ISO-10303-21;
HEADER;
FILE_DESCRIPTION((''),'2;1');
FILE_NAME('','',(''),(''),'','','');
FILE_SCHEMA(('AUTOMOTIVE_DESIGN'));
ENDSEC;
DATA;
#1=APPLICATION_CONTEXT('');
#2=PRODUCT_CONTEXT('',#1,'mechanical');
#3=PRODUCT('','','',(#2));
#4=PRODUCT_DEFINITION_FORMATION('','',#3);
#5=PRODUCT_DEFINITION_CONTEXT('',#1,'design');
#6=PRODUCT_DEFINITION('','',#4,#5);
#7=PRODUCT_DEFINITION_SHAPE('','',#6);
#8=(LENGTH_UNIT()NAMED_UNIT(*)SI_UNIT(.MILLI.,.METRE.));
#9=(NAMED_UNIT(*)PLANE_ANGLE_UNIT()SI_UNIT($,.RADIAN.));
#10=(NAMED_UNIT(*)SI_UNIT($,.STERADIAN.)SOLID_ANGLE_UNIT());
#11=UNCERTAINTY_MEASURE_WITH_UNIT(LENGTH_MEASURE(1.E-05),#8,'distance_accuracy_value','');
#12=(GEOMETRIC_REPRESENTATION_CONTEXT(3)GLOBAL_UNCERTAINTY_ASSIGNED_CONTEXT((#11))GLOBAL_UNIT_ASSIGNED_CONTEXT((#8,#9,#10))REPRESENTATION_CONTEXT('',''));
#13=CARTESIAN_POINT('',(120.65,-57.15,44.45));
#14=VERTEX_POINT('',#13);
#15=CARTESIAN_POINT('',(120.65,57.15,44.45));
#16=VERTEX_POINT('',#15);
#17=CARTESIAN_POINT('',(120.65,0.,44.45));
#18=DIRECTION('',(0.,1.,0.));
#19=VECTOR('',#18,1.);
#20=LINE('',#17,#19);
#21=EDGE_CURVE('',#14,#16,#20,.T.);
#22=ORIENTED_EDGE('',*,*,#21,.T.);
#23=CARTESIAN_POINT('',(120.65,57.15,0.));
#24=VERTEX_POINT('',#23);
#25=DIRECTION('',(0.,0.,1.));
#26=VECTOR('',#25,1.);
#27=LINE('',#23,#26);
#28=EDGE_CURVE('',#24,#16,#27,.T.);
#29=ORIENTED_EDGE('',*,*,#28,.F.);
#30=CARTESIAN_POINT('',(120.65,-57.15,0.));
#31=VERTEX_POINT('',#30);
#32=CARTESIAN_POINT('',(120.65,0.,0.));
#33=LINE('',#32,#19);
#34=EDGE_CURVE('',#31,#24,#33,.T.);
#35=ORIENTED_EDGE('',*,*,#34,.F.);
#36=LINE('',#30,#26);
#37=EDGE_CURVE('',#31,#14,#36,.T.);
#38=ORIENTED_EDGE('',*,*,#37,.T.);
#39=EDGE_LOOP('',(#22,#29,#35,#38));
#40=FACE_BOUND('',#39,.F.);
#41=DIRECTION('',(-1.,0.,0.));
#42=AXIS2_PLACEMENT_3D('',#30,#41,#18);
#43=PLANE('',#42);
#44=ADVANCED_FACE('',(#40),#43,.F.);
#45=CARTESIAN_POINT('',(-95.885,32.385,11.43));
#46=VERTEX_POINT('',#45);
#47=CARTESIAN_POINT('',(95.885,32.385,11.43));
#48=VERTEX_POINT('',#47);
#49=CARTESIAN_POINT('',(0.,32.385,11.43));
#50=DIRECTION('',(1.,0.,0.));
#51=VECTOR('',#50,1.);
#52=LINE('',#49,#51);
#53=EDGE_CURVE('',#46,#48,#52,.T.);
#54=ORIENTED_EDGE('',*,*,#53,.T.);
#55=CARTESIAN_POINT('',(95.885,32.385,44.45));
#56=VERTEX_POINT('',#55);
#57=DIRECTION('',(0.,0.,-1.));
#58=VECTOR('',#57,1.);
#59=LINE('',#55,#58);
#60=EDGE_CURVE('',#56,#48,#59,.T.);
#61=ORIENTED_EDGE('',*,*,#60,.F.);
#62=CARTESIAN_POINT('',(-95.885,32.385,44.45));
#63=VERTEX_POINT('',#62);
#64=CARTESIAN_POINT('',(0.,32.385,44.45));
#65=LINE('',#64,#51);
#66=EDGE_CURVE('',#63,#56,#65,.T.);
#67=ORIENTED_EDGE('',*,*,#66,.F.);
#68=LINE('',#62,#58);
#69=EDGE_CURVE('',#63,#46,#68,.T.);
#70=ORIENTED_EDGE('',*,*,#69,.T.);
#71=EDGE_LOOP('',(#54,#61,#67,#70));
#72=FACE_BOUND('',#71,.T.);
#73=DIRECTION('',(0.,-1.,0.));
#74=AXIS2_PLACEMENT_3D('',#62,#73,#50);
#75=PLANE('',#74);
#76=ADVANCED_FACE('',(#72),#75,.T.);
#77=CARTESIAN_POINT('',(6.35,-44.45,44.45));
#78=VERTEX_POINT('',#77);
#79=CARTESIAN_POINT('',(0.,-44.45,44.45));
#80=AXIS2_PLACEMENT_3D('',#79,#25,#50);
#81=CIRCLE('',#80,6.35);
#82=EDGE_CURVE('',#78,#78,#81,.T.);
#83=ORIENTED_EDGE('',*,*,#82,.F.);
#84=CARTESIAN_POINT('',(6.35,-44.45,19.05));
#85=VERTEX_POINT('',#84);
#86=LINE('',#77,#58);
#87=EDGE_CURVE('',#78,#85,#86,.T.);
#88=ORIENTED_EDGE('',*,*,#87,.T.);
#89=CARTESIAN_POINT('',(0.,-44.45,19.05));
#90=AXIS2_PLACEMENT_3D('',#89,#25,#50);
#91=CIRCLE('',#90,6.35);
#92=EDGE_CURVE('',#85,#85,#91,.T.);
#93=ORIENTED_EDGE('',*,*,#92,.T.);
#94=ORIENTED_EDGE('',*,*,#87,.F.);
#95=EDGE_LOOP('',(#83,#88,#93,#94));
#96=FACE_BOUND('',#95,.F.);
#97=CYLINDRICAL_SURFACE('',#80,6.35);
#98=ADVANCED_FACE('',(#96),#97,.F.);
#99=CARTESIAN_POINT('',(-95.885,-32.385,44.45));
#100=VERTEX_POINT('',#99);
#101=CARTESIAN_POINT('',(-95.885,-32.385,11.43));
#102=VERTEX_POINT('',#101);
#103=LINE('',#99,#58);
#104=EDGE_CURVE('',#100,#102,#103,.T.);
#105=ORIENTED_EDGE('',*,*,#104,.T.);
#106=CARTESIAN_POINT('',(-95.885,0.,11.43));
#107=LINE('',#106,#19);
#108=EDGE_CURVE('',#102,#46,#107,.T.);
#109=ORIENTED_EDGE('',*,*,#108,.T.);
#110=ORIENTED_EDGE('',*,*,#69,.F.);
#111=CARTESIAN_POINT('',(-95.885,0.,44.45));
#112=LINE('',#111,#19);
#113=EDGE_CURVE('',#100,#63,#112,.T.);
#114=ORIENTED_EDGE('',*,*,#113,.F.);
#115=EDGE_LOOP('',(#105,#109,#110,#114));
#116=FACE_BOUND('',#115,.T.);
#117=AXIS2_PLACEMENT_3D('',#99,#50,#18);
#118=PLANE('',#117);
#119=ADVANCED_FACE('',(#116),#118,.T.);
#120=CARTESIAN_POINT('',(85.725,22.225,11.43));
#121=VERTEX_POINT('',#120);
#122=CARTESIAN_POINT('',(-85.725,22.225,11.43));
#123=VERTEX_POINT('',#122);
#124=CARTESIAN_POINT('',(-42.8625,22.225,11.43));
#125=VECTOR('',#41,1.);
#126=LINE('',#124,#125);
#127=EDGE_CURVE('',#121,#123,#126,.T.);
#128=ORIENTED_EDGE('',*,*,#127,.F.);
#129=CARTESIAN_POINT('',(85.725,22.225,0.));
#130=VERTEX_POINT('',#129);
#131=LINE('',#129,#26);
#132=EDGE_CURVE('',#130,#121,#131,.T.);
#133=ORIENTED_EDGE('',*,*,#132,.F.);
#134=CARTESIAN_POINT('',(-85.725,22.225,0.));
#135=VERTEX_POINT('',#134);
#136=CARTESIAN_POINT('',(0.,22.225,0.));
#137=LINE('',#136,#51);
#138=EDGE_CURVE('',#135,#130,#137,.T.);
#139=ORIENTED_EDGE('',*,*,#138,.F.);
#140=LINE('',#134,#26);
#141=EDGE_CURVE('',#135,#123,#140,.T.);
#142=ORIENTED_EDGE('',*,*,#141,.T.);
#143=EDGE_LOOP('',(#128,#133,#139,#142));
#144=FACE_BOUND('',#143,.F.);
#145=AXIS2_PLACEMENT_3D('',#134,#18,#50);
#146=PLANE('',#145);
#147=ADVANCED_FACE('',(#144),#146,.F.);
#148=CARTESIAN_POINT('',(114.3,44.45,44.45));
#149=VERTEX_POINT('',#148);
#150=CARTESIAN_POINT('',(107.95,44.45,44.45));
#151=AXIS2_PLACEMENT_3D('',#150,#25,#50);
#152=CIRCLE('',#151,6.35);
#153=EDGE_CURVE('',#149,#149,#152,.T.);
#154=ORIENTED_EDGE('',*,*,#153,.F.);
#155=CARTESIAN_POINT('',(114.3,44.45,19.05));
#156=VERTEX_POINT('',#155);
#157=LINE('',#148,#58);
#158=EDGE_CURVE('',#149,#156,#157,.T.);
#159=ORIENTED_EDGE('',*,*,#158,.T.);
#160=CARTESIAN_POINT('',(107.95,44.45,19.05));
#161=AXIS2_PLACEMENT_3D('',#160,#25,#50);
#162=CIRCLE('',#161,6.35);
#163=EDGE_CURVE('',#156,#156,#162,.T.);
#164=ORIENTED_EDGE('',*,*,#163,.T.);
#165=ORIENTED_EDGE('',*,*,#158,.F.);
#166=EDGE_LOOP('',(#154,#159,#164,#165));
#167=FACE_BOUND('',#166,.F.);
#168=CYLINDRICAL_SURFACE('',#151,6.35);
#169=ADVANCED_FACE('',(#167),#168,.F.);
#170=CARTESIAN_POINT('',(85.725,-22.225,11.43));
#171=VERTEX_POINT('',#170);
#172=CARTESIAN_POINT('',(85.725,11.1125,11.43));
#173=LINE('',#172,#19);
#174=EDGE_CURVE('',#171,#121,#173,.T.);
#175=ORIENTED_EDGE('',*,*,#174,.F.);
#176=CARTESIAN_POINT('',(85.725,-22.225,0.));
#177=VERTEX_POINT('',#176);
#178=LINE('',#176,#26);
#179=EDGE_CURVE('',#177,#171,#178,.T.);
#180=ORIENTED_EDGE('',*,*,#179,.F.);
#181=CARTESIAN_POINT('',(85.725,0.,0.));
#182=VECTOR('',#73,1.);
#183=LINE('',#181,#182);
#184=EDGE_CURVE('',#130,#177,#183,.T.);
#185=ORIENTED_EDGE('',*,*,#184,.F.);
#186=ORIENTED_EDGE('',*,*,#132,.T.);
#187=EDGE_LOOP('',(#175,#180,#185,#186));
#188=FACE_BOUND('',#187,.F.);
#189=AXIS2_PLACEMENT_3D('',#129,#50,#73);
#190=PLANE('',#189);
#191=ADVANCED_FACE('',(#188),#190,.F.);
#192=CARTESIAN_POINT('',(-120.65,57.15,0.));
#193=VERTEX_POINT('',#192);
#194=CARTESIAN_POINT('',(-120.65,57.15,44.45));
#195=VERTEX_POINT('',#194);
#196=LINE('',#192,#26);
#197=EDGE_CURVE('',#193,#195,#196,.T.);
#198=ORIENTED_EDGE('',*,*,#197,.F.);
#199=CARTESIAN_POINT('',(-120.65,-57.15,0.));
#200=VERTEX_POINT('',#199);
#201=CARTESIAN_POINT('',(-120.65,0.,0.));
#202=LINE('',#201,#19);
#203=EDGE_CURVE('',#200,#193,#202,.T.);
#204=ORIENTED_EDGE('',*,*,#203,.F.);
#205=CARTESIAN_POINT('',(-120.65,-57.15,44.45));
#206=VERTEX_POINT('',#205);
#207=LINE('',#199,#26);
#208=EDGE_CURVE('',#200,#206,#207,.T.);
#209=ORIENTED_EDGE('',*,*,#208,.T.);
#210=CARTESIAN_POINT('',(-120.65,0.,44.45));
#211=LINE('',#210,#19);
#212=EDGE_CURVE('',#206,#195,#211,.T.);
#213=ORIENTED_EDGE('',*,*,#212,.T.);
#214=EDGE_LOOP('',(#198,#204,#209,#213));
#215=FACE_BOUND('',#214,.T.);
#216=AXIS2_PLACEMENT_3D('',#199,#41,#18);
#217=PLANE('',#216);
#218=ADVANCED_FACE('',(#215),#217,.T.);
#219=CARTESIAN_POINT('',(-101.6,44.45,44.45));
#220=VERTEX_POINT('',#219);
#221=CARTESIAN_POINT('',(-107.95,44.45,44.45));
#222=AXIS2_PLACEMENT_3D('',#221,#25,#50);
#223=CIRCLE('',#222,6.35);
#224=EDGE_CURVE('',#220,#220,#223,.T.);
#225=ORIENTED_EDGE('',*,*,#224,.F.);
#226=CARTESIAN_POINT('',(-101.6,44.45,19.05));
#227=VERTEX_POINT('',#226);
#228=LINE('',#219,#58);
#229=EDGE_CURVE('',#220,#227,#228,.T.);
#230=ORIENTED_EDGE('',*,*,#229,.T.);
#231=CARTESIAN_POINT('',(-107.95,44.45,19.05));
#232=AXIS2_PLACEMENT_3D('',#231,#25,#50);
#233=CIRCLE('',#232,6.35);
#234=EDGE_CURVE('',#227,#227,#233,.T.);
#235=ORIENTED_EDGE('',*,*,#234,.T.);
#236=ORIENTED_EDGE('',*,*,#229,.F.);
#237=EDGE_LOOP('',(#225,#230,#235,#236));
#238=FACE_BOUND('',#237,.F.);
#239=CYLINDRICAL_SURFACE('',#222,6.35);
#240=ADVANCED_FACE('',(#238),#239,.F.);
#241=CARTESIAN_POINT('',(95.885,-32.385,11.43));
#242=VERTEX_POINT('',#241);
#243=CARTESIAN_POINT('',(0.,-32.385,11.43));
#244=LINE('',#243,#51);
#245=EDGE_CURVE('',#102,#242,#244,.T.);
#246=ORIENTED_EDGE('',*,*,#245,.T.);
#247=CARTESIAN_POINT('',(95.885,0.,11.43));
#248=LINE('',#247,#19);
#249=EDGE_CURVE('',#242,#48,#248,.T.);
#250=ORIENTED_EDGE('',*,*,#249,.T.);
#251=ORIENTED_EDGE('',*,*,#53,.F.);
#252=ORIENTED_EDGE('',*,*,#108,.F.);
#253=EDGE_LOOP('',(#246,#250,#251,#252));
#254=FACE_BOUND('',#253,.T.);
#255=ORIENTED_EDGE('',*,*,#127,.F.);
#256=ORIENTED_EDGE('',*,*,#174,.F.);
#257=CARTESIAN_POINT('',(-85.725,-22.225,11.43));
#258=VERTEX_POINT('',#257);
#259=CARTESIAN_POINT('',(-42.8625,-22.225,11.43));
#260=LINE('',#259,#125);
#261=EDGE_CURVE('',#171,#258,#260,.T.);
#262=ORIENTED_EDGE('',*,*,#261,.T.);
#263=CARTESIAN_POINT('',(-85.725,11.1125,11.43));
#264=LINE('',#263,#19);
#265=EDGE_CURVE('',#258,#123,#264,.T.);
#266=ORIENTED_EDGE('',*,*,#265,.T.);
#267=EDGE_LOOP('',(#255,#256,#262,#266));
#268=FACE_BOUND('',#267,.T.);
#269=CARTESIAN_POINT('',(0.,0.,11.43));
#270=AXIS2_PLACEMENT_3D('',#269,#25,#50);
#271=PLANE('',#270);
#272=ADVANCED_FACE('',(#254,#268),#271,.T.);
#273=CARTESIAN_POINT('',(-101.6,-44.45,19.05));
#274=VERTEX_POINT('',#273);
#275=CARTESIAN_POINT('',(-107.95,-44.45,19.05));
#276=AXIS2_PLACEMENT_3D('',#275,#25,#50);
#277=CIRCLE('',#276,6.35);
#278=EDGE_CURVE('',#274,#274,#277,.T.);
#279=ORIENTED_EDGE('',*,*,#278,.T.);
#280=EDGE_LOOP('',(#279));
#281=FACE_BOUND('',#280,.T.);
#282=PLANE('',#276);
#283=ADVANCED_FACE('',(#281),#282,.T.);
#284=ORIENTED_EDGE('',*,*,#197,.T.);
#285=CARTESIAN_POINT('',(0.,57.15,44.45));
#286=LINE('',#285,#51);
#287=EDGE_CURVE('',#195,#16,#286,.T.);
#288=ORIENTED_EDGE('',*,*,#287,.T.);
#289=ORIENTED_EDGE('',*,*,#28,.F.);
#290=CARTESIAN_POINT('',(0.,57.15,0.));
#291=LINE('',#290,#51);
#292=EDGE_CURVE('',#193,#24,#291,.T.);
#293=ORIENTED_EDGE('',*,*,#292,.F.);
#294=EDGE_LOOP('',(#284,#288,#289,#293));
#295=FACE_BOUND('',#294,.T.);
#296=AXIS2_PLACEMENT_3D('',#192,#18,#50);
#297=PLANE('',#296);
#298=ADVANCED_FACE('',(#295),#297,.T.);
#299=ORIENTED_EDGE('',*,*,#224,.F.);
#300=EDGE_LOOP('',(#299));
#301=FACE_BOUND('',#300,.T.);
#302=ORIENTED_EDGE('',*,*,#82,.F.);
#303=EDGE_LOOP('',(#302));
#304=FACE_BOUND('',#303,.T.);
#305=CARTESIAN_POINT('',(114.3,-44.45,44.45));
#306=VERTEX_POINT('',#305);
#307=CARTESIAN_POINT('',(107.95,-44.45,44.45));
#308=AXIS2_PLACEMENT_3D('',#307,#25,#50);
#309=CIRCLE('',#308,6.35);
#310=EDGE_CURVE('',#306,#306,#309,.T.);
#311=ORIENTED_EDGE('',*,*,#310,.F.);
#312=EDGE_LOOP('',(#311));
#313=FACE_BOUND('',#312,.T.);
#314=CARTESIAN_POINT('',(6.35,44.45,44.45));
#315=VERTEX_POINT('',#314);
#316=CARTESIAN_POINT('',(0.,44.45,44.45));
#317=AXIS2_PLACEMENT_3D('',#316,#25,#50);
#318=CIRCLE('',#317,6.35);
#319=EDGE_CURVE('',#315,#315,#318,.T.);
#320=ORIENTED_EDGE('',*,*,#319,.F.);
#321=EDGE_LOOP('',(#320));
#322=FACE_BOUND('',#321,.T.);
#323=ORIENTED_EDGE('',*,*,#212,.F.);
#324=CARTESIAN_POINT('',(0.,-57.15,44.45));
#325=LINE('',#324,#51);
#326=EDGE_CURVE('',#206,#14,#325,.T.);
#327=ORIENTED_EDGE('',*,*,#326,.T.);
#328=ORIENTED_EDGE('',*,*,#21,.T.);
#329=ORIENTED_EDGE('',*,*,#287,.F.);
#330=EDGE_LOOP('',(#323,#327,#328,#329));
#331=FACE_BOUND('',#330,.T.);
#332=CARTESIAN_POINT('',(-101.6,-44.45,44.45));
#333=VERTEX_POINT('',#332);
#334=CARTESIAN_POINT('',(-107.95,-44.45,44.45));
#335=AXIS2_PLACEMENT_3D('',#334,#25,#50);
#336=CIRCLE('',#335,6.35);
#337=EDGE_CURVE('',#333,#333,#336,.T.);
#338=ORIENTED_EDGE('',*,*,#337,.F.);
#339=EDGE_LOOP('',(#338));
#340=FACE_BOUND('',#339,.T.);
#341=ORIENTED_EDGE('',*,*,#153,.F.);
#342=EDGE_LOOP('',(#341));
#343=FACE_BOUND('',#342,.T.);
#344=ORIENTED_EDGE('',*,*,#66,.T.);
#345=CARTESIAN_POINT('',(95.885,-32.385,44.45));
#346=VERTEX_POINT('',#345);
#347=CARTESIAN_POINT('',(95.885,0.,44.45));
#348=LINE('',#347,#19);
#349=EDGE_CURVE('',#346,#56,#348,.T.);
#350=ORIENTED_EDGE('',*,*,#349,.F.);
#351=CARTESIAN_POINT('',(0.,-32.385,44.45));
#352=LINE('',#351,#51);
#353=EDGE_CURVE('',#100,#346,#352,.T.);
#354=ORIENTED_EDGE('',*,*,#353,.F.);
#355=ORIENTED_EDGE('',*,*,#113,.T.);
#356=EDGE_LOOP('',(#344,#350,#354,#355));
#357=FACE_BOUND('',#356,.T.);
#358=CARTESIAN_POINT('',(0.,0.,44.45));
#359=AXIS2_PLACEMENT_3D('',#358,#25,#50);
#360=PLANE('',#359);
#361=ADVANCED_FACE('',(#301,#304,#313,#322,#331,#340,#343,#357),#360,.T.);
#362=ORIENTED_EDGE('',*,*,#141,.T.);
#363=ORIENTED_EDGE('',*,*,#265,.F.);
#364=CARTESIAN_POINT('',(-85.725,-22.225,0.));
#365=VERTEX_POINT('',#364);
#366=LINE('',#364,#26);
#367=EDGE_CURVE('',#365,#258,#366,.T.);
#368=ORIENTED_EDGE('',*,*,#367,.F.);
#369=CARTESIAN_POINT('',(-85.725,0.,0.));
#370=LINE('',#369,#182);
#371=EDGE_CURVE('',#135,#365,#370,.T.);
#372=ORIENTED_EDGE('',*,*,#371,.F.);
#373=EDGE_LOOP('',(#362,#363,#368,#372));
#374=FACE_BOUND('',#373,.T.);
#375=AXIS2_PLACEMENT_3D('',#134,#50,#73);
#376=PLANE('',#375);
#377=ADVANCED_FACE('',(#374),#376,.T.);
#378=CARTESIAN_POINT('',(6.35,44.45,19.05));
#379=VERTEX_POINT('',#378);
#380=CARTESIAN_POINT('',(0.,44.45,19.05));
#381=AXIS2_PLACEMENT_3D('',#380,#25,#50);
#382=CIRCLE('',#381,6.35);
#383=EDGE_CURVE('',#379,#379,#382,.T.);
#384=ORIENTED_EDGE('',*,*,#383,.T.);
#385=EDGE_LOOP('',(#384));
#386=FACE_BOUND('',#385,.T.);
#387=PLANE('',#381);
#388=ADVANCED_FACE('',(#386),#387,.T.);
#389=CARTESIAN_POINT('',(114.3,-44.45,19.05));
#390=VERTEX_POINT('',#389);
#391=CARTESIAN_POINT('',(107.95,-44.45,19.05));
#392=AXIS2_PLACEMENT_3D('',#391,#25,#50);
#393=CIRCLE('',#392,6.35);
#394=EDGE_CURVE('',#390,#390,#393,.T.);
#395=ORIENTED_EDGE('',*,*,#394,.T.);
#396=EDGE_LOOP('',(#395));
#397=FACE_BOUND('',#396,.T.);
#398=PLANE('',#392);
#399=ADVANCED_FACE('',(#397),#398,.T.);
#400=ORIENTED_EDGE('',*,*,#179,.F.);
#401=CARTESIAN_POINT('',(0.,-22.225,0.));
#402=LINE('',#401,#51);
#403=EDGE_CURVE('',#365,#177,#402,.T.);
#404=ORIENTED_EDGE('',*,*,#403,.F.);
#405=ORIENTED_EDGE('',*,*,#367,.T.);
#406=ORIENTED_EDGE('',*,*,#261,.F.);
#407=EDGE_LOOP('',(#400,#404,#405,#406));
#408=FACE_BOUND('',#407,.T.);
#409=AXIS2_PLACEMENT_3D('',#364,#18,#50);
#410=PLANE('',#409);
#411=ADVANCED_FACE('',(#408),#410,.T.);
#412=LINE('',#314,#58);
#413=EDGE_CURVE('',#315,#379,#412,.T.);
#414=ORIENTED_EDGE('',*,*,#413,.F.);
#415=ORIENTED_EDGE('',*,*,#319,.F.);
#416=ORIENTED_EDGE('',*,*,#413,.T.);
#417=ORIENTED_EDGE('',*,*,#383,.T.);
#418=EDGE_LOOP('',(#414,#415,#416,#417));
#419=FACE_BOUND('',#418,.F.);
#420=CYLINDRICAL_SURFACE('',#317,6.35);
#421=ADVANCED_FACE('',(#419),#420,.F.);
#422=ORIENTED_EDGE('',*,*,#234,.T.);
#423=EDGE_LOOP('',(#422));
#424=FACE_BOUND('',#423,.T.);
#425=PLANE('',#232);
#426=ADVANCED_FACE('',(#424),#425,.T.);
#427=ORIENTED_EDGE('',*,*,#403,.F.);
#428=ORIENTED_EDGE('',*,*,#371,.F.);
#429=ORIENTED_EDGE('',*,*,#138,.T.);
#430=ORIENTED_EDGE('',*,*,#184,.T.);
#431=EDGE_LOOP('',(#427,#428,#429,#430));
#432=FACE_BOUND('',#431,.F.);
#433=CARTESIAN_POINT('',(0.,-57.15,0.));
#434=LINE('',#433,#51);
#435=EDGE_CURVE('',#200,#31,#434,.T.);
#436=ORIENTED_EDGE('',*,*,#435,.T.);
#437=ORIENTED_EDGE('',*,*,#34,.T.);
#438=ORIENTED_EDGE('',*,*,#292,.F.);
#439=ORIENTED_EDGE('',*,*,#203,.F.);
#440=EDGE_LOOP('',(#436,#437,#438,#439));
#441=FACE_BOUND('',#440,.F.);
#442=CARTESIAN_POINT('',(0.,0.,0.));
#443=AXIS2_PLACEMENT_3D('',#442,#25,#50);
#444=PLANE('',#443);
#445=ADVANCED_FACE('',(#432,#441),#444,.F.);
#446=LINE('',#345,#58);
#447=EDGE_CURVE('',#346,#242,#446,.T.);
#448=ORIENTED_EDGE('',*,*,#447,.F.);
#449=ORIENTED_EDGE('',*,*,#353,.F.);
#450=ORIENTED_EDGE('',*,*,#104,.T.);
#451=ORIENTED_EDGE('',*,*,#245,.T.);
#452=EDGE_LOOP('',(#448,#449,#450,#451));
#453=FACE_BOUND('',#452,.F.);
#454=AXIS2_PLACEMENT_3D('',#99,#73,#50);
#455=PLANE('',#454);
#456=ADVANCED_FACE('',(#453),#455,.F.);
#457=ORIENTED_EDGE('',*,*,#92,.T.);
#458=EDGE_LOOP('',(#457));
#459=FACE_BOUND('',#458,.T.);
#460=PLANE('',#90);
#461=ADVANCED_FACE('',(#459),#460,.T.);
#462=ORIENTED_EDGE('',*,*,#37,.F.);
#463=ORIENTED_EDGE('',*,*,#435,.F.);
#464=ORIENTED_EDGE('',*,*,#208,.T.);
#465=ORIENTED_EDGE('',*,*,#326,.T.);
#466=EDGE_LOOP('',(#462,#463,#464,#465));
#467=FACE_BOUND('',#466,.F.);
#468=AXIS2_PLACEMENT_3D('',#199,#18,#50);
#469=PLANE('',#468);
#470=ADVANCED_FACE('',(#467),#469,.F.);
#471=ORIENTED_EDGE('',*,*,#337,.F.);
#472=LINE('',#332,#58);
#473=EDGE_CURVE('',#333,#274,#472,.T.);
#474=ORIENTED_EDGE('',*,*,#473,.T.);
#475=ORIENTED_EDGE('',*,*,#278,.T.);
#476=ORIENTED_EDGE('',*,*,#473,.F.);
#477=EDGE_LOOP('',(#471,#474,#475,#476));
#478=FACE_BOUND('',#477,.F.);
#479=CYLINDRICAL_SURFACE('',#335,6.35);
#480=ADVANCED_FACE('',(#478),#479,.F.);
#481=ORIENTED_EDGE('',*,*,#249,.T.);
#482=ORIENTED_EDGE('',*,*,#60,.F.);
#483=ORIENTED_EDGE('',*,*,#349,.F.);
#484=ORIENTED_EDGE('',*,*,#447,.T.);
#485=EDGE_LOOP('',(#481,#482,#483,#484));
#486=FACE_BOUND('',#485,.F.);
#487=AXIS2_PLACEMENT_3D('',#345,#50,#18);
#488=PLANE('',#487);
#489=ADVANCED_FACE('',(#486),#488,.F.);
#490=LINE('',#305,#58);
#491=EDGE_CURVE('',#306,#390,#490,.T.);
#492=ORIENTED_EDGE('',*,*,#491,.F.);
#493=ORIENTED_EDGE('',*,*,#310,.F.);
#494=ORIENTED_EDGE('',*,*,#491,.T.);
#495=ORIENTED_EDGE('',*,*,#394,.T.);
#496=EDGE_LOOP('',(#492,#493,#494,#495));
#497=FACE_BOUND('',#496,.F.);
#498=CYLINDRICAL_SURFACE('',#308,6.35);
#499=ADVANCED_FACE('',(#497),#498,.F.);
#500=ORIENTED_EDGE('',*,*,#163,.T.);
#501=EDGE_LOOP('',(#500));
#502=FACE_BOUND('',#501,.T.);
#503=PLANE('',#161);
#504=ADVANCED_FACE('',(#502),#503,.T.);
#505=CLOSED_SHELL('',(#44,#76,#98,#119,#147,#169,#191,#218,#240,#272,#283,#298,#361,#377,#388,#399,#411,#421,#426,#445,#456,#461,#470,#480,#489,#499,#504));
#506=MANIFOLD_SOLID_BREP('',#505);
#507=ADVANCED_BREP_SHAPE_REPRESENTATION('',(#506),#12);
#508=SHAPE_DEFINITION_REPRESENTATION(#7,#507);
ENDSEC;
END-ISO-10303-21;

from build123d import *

# Parameters (mm, degrees)
F0_W     = 241.3
F0_H     = 114.3
F1_DEPTH = 44.45
F2_W     = 191.77
F2_H     = 64.77
F3_DEPTH = 33.02
F4_W     = 171.45
F4_H     = 44.45
F5_DEPTH = 25.4
F6_R     = 6.35
F7_DEPTH = 25.4


with BuildPart() as f1:
    # F0 (on Top) → F1 (new body)
    with BuildSketch(Plane.XY):
        Rectangle(F0_W, F0_H)
    extrude(amount=F1_DEPTH)

    # F2 (on face) → F3 (cut)
    with BuildSketch(Plane.XY.offset(44.45)):
        Rectangle(F2_W, F2_H)
    extrude(amount=-F3_DEPTH, mode=Mode.SUBTRACT)

    # F4 (on face) → F5 (cut)
    with BuildSketch(Plane(origin=(0, 0, 0), x_dir=(1, 0, 0), z_dir=(0, 0, -1))):
        Rectangle(F4_W, F4_H)
    extrude(amount=-F5_DEPTH, mode=Mode.SUBTRACT)

    # F6 (on face) → F7 (cut)
    with BuildSketch(Plane.XY.offset(44.45)):
        with Locations((-107.95, 44.45)):
            Circle(F6_R)
        with Locations((0, 44.45)):
            Circle(F6_R)
        with Locations((107.95, 44.45)):
            Circle(F6_R)
        with Locations((107.95, -44.45)):
            Circle(F6_R)
        with Locations((0, -44.45)):
            Circle(F6_R)
        with Locations((-107.95, -44.45)):
            Circle(F6_R)
    extrude(amount=-F7_DEPTH, mode=Mode.SUBTRACT)


solid = f1.part
